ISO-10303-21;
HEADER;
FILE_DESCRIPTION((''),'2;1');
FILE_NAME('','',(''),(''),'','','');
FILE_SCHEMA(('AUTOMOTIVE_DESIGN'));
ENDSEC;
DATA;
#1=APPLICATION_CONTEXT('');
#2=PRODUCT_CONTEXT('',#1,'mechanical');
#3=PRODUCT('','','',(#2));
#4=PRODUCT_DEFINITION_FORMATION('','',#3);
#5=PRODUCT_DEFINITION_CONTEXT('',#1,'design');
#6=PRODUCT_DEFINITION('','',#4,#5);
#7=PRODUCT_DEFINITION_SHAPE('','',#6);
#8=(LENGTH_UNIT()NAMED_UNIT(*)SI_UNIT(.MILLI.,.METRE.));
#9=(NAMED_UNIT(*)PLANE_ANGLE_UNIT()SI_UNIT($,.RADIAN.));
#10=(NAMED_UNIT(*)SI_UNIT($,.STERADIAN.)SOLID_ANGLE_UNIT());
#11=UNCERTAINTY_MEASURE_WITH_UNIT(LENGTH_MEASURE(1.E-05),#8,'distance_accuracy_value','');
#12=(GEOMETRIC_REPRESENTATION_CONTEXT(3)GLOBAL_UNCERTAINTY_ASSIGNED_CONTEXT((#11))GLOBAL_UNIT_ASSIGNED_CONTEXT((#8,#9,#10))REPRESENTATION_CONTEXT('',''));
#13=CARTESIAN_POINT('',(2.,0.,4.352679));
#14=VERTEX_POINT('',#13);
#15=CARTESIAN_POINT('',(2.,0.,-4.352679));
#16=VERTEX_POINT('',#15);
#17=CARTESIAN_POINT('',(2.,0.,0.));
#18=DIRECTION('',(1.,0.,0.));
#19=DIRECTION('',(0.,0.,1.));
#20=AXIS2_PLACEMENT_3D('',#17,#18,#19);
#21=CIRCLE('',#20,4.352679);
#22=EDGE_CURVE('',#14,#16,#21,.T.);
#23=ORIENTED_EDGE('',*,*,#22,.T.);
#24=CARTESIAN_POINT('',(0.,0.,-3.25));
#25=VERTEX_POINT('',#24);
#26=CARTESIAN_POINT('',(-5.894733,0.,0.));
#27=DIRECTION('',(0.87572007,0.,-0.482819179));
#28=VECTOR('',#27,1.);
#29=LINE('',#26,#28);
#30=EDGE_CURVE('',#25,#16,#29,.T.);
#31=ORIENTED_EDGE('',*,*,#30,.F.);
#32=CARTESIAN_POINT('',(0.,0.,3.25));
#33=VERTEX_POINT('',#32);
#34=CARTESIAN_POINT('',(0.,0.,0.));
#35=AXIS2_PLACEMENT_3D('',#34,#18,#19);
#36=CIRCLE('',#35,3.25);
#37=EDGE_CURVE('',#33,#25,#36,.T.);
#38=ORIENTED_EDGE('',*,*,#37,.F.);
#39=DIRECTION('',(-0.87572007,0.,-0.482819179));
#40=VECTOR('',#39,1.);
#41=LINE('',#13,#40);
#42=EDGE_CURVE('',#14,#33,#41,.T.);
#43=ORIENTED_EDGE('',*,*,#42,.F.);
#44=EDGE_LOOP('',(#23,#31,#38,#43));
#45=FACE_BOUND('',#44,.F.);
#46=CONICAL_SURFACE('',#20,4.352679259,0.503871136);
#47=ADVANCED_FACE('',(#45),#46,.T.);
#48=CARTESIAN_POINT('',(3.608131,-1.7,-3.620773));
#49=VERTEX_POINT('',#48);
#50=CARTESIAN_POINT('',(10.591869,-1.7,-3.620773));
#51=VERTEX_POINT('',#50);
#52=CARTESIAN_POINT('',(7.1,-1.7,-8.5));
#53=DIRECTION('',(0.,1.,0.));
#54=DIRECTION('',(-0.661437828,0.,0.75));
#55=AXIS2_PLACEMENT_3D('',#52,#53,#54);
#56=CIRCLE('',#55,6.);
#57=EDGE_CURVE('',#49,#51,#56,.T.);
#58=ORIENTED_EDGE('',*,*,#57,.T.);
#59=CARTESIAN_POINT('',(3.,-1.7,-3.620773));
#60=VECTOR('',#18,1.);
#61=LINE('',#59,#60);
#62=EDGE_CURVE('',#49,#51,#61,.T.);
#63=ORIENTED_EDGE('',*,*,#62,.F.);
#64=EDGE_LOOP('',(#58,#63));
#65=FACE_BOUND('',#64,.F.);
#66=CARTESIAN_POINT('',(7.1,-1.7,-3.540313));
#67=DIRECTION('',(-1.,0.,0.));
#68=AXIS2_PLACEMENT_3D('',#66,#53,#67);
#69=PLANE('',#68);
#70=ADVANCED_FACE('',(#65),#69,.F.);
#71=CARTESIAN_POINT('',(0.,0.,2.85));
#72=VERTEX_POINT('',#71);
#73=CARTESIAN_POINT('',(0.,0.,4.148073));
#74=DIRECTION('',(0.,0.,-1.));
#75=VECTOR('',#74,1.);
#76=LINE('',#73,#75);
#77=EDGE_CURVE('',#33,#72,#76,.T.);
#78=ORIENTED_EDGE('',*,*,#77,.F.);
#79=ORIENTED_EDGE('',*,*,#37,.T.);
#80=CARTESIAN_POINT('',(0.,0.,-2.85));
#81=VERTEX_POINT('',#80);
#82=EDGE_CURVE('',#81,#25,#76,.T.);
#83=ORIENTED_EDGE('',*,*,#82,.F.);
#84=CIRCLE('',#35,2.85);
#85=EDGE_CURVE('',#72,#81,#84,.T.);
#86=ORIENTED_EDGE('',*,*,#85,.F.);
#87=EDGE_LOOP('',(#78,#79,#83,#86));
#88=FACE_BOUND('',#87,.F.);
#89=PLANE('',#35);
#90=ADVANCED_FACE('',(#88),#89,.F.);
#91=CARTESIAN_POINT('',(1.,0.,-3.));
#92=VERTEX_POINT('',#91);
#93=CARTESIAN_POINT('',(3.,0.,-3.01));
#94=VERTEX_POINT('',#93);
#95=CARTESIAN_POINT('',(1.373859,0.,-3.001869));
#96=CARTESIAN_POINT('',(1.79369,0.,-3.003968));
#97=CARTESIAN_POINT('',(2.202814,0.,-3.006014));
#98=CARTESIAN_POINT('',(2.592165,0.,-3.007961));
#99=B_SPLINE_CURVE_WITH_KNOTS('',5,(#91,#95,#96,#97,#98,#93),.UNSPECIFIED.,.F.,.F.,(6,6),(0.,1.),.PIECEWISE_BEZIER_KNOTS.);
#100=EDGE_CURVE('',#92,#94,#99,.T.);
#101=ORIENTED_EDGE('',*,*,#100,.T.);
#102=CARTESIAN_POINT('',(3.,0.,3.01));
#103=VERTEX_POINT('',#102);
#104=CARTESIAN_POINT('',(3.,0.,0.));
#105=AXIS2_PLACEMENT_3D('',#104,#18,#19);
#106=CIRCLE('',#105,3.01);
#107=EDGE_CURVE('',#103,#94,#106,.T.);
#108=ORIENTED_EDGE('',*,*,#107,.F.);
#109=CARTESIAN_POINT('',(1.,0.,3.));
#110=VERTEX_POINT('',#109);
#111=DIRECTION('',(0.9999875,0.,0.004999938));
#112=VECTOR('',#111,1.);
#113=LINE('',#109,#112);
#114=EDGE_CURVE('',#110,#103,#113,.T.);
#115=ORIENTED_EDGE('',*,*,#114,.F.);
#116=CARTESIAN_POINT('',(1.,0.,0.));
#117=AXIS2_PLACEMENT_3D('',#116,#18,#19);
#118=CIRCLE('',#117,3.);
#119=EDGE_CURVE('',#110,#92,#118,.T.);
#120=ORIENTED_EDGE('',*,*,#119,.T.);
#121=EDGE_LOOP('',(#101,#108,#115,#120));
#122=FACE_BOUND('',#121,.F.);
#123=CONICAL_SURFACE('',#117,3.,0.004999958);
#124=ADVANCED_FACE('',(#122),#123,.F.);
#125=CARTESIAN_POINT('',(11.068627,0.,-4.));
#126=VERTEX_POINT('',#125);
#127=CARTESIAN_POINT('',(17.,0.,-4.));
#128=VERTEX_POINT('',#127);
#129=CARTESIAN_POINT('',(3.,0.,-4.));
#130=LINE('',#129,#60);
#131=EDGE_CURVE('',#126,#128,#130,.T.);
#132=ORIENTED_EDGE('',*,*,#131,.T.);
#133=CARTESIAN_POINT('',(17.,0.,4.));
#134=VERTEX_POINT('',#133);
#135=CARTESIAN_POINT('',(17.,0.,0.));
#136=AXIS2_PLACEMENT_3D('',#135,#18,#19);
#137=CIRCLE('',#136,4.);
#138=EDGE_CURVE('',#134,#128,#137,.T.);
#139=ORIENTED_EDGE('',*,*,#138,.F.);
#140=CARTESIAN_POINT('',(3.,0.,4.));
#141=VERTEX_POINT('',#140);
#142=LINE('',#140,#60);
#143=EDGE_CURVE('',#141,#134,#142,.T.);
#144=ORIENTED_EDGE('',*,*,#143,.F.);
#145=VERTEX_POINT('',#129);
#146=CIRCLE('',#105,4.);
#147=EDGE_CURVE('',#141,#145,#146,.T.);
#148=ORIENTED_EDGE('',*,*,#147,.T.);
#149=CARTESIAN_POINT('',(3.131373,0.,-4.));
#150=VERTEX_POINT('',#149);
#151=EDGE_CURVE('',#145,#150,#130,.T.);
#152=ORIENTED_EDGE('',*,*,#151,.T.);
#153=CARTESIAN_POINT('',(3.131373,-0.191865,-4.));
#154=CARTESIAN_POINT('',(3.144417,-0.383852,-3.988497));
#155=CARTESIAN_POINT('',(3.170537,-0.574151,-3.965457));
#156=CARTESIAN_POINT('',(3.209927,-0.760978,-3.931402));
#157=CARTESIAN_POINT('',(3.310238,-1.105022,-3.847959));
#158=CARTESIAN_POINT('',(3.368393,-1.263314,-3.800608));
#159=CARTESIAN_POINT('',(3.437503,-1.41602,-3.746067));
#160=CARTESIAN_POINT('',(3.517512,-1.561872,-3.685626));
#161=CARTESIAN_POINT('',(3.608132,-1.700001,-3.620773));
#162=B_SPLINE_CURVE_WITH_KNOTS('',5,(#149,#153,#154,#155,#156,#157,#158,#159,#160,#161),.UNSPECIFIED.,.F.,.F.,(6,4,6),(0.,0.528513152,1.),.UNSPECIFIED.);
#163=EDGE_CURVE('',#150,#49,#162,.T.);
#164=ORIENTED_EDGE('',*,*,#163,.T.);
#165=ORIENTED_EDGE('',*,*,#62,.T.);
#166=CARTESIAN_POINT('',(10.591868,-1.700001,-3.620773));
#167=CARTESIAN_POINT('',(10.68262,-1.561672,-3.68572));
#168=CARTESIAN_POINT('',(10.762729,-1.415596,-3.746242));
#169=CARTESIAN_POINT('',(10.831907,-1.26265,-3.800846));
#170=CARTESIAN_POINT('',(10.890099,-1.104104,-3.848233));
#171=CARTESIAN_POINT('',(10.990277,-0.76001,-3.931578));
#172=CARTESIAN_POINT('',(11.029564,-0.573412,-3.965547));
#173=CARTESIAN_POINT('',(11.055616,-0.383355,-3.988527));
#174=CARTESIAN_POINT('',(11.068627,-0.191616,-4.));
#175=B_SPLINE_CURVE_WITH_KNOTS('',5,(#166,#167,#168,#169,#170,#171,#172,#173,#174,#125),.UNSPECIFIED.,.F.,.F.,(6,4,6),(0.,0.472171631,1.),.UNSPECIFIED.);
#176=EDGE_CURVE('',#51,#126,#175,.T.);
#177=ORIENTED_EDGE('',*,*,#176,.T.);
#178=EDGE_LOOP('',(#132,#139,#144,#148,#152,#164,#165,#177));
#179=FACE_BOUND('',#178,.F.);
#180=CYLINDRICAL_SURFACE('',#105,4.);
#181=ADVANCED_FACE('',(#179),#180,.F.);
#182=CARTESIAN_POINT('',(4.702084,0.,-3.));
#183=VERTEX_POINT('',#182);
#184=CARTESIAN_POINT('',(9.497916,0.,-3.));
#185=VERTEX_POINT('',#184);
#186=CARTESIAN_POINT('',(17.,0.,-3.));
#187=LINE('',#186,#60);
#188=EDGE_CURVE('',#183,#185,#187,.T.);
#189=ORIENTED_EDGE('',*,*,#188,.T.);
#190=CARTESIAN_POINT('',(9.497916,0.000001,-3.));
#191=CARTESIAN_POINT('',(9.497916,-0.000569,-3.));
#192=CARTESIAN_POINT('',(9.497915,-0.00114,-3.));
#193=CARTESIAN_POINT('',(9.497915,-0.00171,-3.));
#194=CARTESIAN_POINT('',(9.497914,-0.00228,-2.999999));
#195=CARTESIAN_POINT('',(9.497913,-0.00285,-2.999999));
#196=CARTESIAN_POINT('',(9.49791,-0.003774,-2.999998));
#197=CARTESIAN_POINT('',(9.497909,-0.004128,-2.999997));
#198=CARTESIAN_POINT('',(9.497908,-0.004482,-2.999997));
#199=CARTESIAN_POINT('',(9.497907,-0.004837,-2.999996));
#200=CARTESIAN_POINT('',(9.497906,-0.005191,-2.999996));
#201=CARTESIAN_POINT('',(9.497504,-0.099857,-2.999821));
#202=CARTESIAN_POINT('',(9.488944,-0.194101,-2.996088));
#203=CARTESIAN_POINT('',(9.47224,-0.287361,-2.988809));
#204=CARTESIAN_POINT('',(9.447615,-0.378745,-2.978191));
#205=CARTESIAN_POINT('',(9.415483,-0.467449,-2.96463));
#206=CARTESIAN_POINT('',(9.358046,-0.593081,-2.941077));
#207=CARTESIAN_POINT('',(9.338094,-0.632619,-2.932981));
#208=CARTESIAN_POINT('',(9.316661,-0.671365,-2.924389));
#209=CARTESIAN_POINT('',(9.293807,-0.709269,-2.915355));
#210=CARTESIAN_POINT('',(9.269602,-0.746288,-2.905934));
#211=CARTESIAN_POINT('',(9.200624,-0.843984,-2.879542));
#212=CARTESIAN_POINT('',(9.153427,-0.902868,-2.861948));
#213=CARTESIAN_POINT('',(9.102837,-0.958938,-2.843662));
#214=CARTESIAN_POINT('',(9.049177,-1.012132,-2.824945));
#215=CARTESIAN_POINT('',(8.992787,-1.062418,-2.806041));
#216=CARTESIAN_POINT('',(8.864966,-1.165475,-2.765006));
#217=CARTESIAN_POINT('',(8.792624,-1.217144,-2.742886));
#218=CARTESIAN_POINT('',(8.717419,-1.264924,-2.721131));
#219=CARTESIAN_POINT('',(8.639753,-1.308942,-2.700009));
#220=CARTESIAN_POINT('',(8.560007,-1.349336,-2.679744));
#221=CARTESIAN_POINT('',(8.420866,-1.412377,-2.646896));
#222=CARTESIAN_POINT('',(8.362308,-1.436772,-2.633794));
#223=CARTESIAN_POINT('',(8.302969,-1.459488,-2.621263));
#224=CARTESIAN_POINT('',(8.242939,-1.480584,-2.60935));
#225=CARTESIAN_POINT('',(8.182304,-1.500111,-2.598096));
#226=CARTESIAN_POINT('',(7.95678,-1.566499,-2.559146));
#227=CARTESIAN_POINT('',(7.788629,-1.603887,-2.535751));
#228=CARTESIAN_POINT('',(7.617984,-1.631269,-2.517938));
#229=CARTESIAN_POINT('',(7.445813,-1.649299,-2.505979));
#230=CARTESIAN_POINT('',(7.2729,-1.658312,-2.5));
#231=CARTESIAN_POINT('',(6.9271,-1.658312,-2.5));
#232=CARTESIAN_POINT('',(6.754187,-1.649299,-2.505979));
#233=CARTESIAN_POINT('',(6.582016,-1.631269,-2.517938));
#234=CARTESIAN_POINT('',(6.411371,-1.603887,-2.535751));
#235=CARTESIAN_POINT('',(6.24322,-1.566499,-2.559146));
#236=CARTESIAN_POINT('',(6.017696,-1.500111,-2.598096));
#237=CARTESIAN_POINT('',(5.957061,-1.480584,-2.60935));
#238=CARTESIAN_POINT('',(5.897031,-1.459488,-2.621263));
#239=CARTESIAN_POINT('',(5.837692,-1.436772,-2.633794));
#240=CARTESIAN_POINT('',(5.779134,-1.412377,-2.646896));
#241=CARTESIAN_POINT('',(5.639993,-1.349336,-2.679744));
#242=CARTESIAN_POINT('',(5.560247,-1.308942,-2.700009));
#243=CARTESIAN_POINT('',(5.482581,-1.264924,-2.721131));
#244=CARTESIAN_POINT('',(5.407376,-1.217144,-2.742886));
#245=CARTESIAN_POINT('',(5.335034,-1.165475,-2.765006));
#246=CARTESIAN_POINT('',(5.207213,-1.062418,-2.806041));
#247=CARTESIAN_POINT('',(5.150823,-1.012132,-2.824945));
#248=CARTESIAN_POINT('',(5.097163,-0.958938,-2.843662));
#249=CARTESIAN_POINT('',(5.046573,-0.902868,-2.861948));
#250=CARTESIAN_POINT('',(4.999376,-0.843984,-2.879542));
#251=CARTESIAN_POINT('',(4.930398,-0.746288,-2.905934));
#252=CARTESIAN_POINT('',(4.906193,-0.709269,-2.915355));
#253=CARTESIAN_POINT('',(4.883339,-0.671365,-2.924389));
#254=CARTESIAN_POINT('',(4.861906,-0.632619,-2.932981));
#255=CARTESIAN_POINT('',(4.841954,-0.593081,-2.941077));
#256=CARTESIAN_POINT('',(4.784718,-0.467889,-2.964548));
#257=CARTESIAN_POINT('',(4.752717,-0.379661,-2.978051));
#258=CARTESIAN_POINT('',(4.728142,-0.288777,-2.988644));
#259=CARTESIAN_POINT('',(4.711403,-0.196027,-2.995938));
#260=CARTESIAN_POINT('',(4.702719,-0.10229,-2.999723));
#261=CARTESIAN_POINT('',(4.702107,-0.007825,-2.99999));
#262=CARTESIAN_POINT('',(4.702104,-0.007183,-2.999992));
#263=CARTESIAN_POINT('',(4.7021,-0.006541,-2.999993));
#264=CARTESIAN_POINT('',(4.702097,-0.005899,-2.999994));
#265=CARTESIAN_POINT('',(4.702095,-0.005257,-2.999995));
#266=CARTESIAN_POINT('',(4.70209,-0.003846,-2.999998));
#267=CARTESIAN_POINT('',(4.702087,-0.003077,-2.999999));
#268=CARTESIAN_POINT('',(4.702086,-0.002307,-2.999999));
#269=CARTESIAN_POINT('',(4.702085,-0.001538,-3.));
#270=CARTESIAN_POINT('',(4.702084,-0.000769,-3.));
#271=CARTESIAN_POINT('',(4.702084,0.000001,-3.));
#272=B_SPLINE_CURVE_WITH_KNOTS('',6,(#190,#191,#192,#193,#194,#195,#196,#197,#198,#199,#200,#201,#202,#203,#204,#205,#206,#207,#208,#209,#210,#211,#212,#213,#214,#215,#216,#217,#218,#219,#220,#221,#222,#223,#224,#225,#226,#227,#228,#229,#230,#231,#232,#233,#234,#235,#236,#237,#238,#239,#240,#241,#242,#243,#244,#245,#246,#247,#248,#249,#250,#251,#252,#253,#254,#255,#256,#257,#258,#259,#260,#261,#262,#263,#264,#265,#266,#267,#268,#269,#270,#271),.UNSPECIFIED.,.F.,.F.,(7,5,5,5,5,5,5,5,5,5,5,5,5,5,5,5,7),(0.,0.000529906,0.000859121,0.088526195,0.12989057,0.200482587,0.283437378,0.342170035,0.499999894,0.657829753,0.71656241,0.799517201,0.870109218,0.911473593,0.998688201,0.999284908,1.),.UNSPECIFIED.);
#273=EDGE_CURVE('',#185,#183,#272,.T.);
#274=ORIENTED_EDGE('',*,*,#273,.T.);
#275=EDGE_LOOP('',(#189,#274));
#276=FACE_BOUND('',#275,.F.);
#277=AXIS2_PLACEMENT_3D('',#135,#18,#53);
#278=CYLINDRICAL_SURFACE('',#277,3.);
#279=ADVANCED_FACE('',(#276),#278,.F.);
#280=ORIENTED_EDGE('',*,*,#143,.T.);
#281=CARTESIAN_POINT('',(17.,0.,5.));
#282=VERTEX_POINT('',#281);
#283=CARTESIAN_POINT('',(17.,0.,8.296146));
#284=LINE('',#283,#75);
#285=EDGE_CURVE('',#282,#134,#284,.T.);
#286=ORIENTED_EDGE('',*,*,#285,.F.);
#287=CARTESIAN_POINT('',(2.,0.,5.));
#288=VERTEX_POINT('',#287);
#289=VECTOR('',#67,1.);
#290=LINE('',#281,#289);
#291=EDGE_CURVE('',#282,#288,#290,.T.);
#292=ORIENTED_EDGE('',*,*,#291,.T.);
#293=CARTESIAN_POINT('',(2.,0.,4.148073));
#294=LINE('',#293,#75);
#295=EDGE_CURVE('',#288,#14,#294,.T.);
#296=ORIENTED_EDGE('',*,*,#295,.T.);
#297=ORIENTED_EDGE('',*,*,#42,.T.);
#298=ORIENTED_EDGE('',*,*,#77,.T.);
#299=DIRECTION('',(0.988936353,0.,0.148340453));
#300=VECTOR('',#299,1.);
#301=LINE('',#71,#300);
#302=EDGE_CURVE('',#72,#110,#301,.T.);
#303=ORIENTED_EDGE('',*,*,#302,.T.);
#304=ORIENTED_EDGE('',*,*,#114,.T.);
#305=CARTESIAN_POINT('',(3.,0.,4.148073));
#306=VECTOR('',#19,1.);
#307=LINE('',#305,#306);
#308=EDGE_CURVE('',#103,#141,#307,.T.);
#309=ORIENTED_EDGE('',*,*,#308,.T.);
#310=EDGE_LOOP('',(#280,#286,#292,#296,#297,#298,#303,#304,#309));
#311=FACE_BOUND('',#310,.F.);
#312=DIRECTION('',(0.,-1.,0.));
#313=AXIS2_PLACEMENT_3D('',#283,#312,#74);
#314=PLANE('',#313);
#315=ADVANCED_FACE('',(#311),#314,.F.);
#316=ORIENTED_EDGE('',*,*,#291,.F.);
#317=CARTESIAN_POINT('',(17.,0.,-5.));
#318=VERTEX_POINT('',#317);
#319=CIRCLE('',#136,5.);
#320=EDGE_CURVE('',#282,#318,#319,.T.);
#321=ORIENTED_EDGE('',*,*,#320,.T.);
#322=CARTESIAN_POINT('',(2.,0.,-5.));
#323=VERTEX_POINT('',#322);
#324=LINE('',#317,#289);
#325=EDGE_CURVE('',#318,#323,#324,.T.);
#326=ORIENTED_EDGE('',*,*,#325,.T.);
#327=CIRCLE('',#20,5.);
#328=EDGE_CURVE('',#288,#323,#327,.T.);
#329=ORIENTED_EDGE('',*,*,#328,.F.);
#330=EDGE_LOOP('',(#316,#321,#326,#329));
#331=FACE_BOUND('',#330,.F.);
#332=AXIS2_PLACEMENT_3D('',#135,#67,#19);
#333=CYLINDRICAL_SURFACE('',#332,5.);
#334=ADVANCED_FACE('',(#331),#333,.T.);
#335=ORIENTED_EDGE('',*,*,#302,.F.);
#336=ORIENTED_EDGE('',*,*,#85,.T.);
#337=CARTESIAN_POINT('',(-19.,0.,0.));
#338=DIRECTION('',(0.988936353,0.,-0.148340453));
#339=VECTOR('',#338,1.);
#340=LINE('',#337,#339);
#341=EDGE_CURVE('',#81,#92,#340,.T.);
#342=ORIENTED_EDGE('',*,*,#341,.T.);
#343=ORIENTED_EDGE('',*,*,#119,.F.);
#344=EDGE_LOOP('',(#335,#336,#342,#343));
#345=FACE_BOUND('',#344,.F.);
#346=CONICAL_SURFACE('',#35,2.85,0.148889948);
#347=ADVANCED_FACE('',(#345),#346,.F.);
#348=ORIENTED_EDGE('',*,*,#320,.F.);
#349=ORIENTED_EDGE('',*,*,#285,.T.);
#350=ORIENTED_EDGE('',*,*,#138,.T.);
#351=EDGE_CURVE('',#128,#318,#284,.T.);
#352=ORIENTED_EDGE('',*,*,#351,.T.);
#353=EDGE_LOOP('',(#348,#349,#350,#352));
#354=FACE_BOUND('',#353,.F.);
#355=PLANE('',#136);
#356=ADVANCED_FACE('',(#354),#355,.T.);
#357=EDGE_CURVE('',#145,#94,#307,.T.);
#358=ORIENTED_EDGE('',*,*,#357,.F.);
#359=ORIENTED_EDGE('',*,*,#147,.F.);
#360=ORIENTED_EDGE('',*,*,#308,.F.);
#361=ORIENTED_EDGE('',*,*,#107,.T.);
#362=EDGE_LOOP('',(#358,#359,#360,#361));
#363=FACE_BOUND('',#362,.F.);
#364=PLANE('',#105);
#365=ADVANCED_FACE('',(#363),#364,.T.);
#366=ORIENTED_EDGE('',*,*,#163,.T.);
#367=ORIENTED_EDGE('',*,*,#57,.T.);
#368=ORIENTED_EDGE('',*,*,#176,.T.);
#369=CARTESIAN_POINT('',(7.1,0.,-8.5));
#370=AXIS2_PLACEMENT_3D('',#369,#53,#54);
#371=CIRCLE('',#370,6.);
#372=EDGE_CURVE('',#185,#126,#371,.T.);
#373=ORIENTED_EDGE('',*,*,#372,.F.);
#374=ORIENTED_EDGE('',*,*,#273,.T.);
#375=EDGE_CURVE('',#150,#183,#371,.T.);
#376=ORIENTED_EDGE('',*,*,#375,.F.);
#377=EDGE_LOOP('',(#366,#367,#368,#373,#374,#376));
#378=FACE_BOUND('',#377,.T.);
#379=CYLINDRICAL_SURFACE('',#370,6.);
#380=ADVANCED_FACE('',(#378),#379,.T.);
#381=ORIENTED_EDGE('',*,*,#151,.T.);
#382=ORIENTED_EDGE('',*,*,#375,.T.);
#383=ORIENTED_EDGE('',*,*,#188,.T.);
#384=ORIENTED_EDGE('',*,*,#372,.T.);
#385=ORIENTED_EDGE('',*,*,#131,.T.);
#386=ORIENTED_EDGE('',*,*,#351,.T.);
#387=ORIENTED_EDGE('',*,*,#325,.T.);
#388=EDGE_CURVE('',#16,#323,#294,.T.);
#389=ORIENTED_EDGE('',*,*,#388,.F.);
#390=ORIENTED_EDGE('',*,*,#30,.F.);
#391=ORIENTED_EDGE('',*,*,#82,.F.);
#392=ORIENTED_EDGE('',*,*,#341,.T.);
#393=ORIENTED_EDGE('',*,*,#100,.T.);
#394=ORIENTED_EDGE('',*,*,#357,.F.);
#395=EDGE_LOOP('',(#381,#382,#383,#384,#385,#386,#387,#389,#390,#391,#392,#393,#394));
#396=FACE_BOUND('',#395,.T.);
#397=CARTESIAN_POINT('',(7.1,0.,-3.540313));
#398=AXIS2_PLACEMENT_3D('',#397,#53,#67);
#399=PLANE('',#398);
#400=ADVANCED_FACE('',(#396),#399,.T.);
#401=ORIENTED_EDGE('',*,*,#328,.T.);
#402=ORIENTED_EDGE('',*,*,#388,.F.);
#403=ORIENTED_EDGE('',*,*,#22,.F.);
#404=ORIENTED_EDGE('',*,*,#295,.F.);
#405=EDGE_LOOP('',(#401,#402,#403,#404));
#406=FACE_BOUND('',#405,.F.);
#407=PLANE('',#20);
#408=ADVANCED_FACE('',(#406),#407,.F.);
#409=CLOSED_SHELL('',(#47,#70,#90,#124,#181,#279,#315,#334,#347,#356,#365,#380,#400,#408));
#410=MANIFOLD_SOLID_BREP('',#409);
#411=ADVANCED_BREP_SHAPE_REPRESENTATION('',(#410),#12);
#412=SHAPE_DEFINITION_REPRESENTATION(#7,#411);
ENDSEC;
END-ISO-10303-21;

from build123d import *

# Parameters (mm, degrees)
F3_DEPTH = 25
F5_DEPTH = 1.7
F6_R     = 3
F7_DEPTH = 12.88


with BuildPart() as f1:
    # F0 (on Front) → F1 (revolve)
    with BuildSketch(Plane.XZ):
        Polygon((0, 3.25), (0, 2.85), (1, 3), (3, 3.01), (3, 4), (17, 4), (17, 5), (2, 5), (2, 4.3526792594), align=None)
    revolve(axis=Axis((8.0843353644, 0, 0), (1, 0, 0)))

    # F2 (on face) → F3 (cut)
    with BuildSketch(Plane.YZ.offset(17)):
        Polygon((0, 8.2961460575), (0, 0), (0, -8.2128858194), (10.234137997, -8.383821696), (10.234137997, 8.2961460575), align=None)
    extrude(amount=-F3_DEPTH, mode=Mode.SUBTRACT)

    # F4 (on face) → F5 (join)
    with BuildSketch(Plane(origin=(0, 0, 0), x_dir=(-1, 0, 0), z_dir=(0, 1, 0))):
        with BuildLine():
            Line((-11.0686269666, -4), (-3.1313730334, -4))
            ThreePointArc((-3.1313730334, -4), (-7.1, -2.5), (-11.0686269666, -4))
        make_face()
    extrude(amount=-F5_DEPTH)

    # F6 (on face) → F7 (cut)
    with BuildSketch(Plane.YZ.offset(17)):
        Circle(F6_R)
    extrude(amount=-F7_DEPTH, mode=Mode.SUBTRACT)


solid = f1.part
